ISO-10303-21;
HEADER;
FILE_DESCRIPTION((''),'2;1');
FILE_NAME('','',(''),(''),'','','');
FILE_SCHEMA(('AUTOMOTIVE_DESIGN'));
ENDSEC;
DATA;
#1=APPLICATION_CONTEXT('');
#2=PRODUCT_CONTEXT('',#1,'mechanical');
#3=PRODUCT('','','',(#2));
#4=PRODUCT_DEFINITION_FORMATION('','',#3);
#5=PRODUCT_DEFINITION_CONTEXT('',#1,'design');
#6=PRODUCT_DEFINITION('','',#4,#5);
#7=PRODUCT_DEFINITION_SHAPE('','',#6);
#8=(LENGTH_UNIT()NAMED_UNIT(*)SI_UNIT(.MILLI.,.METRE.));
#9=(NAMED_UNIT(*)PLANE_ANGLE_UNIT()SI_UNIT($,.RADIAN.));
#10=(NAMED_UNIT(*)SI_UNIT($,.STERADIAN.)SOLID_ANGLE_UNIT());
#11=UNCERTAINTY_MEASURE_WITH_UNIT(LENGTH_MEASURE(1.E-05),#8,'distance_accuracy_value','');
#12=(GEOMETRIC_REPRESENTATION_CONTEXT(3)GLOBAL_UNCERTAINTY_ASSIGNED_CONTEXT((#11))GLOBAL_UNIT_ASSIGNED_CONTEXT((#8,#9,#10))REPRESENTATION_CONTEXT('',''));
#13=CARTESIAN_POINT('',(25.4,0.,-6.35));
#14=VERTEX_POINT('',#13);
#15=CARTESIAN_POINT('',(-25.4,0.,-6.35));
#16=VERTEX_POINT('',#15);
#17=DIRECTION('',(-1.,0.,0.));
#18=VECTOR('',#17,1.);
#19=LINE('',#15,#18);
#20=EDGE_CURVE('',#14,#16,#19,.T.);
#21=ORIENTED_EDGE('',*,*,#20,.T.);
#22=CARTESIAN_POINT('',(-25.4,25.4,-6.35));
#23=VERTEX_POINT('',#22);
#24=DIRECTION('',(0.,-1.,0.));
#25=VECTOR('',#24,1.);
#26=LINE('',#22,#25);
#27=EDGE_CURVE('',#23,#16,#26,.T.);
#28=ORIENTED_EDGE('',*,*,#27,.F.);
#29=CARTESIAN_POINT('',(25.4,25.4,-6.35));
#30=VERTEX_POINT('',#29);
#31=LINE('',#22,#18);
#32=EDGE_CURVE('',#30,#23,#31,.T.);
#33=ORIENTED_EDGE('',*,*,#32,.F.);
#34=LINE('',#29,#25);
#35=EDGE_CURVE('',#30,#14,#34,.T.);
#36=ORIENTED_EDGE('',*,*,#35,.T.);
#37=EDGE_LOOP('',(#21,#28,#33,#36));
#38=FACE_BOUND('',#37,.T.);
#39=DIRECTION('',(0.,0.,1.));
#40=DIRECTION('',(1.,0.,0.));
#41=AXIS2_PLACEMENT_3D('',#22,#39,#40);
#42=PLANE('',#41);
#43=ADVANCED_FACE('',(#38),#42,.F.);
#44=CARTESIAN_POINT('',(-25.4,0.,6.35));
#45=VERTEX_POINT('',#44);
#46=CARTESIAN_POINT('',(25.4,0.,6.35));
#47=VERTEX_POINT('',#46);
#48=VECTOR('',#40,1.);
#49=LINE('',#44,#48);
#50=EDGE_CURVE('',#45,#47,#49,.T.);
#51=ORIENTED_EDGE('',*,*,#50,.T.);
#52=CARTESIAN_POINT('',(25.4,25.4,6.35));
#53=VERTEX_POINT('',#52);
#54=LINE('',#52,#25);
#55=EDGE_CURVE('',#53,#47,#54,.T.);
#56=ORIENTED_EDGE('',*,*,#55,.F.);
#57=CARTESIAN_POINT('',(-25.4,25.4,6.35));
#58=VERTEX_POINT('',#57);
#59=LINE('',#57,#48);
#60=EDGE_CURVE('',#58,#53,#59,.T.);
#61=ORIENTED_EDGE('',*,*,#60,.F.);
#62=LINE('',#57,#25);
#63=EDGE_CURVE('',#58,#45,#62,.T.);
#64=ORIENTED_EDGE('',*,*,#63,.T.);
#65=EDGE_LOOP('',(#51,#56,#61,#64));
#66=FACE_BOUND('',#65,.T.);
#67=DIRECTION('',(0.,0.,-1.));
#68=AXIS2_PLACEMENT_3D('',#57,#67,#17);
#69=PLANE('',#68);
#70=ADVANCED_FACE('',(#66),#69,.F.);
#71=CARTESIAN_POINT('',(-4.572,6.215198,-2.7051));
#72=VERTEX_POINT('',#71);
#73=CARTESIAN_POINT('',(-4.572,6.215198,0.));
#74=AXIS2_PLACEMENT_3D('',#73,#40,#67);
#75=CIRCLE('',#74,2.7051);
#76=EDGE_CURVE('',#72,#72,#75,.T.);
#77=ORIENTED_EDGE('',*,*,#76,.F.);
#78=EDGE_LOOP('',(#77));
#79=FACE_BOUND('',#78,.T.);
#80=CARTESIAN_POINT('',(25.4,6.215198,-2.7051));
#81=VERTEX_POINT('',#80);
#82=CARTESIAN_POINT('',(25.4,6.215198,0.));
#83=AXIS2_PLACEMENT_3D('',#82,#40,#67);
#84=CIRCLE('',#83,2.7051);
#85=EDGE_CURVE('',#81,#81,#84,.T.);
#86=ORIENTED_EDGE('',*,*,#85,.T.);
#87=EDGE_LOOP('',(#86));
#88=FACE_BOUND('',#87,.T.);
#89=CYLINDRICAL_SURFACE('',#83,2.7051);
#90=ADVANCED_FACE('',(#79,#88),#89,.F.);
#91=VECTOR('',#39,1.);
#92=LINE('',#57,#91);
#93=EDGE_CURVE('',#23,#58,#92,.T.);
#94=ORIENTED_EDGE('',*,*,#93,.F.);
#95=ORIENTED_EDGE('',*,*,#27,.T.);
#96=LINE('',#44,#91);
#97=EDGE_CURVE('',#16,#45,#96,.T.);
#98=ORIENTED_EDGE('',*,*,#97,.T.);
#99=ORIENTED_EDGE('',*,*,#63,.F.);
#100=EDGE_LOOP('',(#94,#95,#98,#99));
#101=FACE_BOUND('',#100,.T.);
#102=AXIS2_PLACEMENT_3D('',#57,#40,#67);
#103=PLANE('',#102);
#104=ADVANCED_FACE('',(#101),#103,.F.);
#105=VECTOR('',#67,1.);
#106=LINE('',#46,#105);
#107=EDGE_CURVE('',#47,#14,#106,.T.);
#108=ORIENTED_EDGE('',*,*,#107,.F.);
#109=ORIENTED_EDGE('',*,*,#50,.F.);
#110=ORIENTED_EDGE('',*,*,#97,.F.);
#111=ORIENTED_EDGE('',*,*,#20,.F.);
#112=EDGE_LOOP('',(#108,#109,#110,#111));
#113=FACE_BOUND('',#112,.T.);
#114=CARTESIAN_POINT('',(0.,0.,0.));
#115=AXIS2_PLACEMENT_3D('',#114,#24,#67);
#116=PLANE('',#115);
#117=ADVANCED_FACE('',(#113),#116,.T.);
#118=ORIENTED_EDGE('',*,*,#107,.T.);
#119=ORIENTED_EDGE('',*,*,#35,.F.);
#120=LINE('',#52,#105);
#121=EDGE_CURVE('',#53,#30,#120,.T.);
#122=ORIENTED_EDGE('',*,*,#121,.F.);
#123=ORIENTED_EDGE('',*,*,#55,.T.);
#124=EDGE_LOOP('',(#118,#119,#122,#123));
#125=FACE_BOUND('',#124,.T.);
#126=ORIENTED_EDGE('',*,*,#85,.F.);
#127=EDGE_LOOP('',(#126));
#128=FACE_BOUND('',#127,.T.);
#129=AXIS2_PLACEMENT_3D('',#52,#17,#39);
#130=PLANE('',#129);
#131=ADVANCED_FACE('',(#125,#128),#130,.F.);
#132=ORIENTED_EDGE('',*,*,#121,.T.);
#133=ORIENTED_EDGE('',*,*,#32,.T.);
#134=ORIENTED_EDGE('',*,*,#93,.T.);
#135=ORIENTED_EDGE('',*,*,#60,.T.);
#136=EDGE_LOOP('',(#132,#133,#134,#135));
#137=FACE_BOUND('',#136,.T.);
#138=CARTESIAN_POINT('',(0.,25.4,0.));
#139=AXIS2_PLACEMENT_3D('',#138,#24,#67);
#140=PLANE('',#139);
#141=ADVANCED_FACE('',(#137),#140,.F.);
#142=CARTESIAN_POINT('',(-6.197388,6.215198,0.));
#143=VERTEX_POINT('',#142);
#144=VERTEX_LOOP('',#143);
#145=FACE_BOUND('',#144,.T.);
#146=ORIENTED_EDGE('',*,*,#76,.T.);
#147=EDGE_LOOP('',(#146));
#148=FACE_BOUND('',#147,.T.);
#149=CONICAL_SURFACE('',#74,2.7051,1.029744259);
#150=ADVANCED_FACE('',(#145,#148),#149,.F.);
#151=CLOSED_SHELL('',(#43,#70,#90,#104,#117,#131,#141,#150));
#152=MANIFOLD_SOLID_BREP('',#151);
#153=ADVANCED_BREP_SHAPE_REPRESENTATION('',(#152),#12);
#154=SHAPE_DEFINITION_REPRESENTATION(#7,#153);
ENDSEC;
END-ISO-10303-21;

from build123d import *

# Parameters (mm, degrees)
SKETCH1_W                   = 50.8
SKETCH1_H                   = 12.7
BOSS_EXTRUDE1_DEPTH         = 25.4
F_1_4_28_TAPPED_HOLE1_D     = 5.4102
F_1_4_28_TAPPED_HOLE1_DEPTH = 29.972
F_1_4_28_TAPPED_HOLE1_TIP   = 1.625388061


with BuildPart() as part:
    # Sketch1 → Boss-Extrude1 (new body)
    with BuildSketch(Plane(origin=(0, 0, 0), x_dir=(1, 0, 0), z_dir=(0, 1, 0))):
        Rectangle(SKETCH1_W, SKETCH1_H)
    extrude(amount=BOSS_EXTRUDE1_DEPTH)

    # 1/4-28 Tapped Hole1
    with Locations(Plane(origin=(25.4, 0, 0), x_dir=(0, 0, -1), z_dir=(1, 0, 0))):
        with Locations((0, 6.215198177)):
            Hole(F_1_4_28_TAPPED_HOLE1_D / 2, depth=F_1_4_28_TAPPED_HOLE1_DEPTH)
            with Locations((0, 0, -(F_1_4_28_TAPPED_HOLE1_DEPTH + F_1_4_28_TAPPED_HOLE1_TIP / 2))):  # 118° drill point
                Cone(0, F_1_4_28_TAPPED_HOLE1_D / 2, F_1_4_28_TAPPED_HOLE1_TIP, mode=Mode.SUBTRACT)


solid = part.part
